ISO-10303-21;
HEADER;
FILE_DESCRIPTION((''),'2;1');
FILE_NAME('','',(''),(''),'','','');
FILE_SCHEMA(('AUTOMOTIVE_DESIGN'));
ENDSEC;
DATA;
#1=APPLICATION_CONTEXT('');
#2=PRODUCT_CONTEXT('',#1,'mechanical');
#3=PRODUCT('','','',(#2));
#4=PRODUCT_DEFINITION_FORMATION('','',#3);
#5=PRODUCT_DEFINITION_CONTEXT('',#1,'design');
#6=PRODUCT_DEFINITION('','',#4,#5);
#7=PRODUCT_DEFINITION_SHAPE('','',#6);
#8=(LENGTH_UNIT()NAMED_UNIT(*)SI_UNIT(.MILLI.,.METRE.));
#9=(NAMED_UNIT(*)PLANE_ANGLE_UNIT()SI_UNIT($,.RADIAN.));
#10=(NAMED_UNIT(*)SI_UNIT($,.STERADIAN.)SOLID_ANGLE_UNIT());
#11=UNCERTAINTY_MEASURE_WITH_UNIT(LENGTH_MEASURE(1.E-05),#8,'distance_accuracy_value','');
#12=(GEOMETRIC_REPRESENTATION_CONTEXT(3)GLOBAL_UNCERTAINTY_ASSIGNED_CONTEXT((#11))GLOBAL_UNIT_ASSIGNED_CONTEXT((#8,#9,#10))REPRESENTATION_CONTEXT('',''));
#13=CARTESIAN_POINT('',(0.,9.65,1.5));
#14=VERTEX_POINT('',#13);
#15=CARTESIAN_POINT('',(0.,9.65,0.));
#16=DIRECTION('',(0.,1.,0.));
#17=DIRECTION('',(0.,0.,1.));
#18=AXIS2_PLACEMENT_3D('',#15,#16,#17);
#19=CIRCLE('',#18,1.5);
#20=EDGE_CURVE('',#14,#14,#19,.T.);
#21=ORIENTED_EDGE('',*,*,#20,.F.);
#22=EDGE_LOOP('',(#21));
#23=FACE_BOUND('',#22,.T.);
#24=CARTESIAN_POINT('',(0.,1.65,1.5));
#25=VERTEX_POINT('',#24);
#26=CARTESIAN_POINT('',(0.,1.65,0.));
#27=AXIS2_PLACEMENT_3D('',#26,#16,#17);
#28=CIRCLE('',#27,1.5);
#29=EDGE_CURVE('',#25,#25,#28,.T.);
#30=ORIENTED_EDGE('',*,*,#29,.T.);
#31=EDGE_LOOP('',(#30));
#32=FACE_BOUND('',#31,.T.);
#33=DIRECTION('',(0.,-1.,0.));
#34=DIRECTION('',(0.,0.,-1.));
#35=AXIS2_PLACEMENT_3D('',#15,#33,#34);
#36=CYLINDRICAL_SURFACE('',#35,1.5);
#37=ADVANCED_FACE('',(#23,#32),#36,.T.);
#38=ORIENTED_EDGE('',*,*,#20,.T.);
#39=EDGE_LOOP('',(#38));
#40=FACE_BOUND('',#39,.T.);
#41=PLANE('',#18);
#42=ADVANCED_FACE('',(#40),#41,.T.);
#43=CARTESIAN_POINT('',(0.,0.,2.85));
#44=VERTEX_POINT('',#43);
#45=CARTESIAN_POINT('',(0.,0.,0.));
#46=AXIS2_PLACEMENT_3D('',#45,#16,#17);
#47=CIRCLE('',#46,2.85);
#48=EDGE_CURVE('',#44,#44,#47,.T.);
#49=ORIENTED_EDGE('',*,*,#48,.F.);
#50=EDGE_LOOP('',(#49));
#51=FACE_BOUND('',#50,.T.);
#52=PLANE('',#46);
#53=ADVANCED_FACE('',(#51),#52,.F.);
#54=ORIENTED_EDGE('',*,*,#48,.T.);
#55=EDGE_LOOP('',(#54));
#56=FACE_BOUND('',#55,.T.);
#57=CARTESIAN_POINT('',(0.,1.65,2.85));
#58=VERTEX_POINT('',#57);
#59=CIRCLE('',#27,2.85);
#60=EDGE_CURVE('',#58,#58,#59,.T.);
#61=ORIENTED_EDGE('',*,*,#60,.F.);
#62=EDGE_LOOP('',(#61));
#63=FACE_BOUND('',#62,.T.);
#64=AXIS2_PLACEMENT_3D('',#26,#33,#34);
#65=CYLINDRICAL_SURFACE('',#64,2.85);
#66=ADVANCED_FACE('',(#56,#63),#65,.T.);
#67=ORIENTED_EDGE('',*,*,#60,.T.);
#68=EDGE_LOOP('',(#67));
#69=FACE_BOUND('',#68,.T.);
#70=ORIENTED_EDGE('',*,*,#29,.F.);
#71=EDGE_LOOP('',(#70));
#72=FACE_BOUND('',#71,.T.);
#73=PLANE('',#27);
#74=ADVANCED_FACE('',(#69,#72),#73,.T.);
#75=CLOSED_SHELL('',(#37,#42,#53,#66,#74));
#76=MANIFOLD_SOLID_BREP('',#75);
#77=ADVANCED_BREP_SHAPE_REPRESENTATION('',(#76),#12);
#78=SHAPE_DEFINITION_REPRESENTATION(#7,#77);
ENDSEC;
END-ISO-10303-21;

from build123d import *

# Parameters (mm, degrees)
SKETCH_1_R      = 2.85
EXTRUDE_1_DEPTH = 1.65
SKETCH_2_R      = 1.5
EXTRUDE_2_DEPTH = 8


with BuildPart() as part:
    # 草图1 → 凸台-拉伸1 (new body)
    with BuildSketch(Plane(origin=(0, 0, 0), x_dir=(1, 0, 0), z_dir=(0, 1, 0))):
        with Locations(Location((0, 0, 0), (0, 0, 270))):
            Circle(SKETCH_1_R)
    extrude(amount=EXTRUDE_1_DEPTH)

    # 草图2 → 凸台-拉伸2 (add)
    with BuildSketch(Plane(origin=(0, 1.65, 0), x_dir=(1, 0, 0), z_dir=(0, 1, 0))):
        with Locations(Location((0, 0, 0), (0, 0, 270))):
            Circle(SKETCH_2_R)
    extrude(amount=EXTRUDE_2_DEPTH)


solid = part.part
